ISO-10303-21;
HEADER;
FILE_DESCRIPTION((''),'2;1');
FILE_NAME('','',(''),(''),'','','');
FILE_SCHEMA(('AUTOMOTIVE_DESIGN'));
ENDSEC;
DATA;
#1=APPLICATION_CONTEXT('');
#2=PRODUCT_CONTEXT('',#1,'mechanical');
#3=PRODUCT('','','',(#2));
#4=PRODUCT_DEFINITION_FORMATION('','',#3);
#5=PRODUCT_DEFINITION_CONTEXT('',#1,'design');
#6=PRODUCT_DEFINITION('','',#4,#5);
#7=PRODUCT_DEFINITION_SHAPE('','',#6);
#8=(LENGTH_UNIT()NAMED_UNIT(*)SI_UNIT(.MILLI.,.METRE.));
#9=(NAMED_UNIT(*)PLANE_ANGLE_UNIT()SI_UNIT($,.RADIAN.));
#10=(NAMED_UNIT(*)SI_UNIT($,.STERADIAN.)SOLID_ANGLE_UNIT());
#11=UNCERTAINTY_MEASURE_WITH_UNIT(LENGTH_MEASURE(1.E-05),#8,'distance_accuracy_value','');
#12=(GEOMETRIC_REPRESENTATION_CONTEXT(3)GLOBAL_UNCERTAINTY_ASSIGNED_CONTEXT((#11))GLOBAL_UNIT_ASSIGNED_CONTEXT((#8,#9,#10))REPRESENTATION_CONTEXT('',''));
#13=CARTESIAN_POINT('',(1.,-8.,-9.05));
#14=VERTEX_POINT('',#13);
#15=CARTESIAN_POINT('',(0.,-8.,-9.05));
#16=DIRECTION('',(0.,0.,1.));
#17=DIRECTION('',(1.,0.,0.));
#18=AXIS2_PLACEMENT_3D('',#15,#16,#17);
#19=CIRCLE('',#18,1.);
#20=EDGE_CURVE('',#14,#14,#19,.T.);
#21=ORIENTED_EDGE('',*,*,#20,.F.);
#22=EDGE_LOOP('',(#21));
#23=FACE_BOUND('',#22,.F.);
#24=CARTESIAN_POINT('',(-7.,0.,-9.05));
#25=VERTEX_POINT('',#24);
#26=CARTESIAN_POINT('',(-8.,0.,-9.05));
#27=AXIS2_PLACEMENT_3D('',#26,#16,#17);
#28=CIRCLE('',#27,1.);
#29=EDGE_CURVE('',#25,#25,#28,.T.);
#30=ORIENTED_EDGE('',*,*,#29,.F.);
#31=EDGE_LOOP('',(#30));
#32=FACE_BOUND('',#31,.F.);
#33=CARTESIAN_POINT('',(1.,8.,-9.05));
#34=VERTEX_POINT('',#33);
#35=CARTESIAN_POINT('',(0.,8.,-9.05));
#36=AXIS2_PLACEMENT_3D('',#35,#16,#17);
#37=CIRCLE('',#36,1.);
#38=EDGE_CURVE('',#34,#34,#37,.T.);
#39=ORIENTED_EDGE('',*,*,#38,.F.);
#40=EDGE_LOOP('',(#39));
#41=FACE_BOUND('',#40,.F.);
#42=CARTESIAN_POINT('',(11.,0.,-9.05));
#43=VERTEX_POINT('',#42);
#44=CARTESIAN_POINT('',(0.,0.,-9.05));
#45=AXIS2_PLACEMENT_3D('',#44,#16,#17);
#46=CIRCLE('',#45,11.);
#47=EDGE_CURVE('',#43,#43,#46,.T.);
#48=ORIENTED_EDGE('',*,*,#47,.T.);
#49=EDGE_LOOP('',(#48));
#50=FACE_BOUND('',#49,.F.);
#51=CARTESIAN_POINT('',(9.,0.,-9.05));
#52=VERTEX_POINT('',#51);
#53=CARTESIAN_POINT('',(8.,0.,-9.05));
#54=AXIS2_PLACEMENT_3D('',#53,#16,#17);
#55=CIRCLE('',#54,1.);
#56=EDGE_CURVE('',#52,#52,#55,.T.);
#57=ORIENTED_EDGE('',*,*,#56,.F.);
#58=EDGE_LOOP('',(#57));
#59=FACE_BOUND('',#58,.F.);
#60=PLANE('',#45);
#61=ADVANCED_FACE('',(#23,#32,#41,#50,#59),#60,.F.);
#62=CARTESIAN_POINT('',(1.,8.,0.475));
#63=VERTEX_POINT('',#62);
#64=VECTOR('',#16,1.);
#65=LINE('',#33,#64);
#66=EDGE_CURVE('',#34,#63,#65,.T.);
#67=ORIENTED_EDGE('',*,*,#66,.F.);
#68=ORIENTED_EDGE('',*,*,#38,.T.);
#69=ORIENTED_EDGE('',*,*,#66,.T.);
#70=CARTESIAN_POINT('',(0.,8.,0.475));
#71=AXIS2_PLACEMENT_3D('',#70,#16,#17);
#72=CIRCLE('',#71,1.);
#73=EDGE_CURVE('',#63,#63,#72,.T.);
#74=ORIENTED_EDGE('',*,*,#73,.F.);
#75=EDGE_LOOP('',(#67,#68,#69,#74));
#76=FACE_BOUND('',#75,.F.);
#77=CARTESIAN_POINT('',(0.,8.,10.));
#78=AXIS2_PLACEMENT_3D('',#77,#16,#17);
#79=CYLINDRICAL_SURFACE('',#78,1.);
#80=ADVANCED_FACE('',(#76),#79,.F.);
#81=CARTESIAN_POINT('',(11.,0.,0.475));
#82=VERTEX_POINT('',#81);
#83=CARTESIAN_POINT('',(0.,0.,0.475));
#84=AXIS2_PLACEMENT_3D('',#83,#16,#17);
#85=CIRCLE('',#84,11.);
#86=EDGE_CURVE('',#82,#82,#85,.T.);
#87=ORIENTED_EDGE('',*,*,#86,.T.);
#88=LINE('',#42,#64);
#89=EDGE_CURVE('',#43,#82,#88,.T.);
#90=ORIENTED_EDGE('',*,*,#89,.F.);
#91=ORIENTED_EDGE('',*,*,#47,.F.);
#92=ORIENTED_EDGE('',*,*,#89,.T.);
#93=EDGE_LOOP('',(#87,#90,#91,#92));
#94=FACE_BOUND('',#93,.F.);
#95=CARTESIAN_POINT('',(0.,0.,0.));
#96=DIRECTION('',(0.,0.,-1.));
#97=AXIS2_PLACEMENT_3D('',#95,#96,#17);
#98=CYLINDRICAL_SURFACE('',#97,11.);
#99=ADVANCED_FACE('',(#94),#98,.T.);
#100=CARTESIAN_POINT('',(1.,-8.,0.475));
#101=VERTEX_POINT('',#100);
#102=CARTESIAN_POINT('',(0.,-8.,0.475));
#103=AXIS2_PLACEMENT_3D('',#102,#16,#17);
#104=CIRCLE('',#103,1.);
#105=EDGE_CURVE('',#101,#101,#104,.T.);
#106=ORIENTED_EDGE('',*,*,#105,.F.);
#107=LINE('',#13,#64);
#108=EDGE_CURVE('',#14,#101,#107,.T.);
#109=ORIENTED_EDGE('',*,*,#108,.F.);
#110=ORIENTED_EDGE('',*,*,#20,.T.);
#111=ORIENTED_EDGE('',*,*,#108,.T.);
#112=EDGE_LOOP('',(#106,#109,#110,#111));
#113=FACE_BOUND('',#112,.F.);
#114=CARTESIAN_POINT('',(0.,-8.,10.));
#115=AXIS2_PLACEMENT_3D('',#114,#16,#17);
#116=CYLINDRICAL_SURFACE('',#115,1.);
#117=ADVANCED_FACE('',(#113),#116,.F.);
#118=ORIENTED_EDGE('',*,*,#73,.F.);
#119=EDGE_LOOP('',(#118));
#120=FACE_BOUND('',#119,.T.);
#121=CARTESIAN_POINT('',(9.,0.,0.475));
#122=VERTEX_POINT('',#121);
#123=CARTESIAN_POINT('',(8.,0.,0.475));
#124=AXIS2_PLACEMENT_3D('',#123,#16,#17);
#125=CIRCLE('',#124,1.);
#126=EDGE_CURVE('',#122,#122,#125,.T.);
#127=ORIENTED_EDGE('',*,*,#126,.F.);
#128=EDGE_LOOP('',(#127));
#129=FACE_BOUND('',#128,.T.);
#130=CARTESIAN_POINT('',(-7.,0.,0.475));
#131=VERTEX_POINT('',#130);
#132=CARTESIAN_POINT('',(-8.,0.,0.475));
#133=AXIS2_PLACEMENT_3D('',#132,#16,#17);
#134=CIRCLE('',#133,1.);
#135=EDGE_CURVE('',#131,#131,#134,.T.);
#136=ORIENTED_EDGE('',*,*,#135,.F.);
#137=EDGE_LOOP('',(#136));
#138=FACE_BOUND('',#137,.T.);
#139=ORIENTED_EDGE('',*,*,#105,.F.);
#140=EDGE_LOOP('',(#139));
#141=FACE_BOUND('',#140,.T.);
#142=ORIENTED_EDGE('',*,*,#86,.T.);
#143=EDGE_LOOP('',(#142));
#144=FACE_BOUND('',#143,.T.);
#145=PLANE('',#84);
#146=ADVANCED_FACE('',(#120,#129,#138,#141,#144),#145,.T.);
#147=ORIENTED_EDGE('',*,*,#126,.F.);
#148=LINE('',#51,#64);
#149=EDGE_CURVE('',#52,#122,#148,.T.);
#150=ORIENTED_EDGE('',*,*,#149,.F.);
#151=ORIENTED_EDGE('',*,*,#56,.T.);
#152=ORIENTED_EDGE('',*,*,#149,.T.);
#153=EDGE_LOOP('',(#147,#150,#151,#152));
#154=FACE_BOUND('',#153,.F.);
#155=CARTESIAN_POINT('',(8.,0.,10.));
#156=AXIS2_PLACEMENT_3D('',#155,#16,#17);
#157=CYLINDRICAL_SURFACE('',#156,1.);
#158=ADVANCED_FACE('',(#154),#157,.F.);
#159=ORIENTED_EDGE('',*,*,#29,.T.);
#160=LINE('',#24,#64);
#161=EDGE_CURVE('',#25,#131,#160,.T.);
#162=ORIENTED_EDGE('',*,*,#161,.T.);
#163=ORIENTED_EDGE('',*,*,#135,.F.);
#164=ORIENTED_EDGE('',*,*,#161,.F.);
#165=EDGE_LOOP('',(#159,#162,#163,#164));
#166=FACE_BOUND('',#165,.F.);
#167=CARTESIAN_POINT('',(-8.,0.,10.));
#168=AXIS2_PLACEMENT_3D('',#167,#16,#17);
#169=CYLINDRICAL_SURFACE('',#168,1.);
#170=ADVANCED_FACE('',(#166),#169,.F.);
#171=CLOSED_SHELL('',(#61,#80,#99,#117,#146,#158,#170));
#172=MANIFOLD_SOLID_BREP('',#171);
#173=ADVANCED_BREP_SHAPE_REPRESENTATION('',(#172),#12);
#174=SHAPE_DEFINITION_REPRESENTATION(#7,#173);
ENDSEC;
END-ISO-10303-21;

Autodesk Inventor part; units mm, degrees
ref_plane "YZ Plane" through (0, 0, 0) normal (1, 0, 0) x (0, 1, 0)
ref_plane "XZ Plane" through (0, 0, 0) normal (0, 1, 0) x (-1, 0, 0)
ref_plane "XY Plane" through (0, 0, 0) normal (0, 0, 1) x (1, 0, 0)
sketch "Sketch1" plane through (0, 0, 0) normal (0, 0, 1) x (1, 0, 0)
  circle A0 centre (0, 0) radius 11
  dimension "d0" = 22
extrude "Extrusion1" add sketch "Sketch1" along normal blind 10
sketch "Sketch2" plane through (0, 0, 10) normal (0, 0, 1) x (1, 0, 0)
  circle A0 centre (0, 0) radius 11 projected
  circle A1 centre (0, 0) radius 8
  circle A2 centre (-8, 0) radius 1
  circle A3 centre (0, 8) radius 1
  circle A4 centre (8, 0) radius 1
  circle A5 centre (0, -8) radius 1
  dimension "d3" = 16
  dimension "d4" = 2
  dimension "d5" = 2
  dimension "d6" = 2
  dimension "d7" = 2
extrude "Extrusion2" cut sketch "Sketch2" against normal blind 10 contours A1 A4 | A1 A4 | A3 A1 | A1 A3 | A5 A1 | A1 A5 | A2 A1 | A1 A2
sketch "Sketch3" plane through (0, 0, 10) normal (0, 0, 1) x (1, 0, 0)
  circle A0 centre (8, 0) radius 1 projected
  circle A1 centre (0, -8) radius 1 projected
  circle A2 centre (-8, 0) radius 1 projected
  circle A3 centre (0, 8) radius 1 projected
  circle A4 centre (0, 0) radius 11 projected
extrude "Extrusion3" cut sketch "Sketch3" against normal blind 9.525
sketch "Sketch4" plane through (0, 0, 0.475) normal (0, 0, 1) x (1, 0, 0)
  circle A0 centre (0, 8) radius 1 projected
  circle A1 centre (-8, 0) radius 1 projected
  circle A2 centre (0, -8) radius 1 projected
  circle A3 centre (8, 0) radius 1 projected
  circle A4 centre (0, 0) radius 11 projected
extrude "Extrusion4" add sketch "Sketch4" against normal blind 9.525
properties part number "Spacer"
